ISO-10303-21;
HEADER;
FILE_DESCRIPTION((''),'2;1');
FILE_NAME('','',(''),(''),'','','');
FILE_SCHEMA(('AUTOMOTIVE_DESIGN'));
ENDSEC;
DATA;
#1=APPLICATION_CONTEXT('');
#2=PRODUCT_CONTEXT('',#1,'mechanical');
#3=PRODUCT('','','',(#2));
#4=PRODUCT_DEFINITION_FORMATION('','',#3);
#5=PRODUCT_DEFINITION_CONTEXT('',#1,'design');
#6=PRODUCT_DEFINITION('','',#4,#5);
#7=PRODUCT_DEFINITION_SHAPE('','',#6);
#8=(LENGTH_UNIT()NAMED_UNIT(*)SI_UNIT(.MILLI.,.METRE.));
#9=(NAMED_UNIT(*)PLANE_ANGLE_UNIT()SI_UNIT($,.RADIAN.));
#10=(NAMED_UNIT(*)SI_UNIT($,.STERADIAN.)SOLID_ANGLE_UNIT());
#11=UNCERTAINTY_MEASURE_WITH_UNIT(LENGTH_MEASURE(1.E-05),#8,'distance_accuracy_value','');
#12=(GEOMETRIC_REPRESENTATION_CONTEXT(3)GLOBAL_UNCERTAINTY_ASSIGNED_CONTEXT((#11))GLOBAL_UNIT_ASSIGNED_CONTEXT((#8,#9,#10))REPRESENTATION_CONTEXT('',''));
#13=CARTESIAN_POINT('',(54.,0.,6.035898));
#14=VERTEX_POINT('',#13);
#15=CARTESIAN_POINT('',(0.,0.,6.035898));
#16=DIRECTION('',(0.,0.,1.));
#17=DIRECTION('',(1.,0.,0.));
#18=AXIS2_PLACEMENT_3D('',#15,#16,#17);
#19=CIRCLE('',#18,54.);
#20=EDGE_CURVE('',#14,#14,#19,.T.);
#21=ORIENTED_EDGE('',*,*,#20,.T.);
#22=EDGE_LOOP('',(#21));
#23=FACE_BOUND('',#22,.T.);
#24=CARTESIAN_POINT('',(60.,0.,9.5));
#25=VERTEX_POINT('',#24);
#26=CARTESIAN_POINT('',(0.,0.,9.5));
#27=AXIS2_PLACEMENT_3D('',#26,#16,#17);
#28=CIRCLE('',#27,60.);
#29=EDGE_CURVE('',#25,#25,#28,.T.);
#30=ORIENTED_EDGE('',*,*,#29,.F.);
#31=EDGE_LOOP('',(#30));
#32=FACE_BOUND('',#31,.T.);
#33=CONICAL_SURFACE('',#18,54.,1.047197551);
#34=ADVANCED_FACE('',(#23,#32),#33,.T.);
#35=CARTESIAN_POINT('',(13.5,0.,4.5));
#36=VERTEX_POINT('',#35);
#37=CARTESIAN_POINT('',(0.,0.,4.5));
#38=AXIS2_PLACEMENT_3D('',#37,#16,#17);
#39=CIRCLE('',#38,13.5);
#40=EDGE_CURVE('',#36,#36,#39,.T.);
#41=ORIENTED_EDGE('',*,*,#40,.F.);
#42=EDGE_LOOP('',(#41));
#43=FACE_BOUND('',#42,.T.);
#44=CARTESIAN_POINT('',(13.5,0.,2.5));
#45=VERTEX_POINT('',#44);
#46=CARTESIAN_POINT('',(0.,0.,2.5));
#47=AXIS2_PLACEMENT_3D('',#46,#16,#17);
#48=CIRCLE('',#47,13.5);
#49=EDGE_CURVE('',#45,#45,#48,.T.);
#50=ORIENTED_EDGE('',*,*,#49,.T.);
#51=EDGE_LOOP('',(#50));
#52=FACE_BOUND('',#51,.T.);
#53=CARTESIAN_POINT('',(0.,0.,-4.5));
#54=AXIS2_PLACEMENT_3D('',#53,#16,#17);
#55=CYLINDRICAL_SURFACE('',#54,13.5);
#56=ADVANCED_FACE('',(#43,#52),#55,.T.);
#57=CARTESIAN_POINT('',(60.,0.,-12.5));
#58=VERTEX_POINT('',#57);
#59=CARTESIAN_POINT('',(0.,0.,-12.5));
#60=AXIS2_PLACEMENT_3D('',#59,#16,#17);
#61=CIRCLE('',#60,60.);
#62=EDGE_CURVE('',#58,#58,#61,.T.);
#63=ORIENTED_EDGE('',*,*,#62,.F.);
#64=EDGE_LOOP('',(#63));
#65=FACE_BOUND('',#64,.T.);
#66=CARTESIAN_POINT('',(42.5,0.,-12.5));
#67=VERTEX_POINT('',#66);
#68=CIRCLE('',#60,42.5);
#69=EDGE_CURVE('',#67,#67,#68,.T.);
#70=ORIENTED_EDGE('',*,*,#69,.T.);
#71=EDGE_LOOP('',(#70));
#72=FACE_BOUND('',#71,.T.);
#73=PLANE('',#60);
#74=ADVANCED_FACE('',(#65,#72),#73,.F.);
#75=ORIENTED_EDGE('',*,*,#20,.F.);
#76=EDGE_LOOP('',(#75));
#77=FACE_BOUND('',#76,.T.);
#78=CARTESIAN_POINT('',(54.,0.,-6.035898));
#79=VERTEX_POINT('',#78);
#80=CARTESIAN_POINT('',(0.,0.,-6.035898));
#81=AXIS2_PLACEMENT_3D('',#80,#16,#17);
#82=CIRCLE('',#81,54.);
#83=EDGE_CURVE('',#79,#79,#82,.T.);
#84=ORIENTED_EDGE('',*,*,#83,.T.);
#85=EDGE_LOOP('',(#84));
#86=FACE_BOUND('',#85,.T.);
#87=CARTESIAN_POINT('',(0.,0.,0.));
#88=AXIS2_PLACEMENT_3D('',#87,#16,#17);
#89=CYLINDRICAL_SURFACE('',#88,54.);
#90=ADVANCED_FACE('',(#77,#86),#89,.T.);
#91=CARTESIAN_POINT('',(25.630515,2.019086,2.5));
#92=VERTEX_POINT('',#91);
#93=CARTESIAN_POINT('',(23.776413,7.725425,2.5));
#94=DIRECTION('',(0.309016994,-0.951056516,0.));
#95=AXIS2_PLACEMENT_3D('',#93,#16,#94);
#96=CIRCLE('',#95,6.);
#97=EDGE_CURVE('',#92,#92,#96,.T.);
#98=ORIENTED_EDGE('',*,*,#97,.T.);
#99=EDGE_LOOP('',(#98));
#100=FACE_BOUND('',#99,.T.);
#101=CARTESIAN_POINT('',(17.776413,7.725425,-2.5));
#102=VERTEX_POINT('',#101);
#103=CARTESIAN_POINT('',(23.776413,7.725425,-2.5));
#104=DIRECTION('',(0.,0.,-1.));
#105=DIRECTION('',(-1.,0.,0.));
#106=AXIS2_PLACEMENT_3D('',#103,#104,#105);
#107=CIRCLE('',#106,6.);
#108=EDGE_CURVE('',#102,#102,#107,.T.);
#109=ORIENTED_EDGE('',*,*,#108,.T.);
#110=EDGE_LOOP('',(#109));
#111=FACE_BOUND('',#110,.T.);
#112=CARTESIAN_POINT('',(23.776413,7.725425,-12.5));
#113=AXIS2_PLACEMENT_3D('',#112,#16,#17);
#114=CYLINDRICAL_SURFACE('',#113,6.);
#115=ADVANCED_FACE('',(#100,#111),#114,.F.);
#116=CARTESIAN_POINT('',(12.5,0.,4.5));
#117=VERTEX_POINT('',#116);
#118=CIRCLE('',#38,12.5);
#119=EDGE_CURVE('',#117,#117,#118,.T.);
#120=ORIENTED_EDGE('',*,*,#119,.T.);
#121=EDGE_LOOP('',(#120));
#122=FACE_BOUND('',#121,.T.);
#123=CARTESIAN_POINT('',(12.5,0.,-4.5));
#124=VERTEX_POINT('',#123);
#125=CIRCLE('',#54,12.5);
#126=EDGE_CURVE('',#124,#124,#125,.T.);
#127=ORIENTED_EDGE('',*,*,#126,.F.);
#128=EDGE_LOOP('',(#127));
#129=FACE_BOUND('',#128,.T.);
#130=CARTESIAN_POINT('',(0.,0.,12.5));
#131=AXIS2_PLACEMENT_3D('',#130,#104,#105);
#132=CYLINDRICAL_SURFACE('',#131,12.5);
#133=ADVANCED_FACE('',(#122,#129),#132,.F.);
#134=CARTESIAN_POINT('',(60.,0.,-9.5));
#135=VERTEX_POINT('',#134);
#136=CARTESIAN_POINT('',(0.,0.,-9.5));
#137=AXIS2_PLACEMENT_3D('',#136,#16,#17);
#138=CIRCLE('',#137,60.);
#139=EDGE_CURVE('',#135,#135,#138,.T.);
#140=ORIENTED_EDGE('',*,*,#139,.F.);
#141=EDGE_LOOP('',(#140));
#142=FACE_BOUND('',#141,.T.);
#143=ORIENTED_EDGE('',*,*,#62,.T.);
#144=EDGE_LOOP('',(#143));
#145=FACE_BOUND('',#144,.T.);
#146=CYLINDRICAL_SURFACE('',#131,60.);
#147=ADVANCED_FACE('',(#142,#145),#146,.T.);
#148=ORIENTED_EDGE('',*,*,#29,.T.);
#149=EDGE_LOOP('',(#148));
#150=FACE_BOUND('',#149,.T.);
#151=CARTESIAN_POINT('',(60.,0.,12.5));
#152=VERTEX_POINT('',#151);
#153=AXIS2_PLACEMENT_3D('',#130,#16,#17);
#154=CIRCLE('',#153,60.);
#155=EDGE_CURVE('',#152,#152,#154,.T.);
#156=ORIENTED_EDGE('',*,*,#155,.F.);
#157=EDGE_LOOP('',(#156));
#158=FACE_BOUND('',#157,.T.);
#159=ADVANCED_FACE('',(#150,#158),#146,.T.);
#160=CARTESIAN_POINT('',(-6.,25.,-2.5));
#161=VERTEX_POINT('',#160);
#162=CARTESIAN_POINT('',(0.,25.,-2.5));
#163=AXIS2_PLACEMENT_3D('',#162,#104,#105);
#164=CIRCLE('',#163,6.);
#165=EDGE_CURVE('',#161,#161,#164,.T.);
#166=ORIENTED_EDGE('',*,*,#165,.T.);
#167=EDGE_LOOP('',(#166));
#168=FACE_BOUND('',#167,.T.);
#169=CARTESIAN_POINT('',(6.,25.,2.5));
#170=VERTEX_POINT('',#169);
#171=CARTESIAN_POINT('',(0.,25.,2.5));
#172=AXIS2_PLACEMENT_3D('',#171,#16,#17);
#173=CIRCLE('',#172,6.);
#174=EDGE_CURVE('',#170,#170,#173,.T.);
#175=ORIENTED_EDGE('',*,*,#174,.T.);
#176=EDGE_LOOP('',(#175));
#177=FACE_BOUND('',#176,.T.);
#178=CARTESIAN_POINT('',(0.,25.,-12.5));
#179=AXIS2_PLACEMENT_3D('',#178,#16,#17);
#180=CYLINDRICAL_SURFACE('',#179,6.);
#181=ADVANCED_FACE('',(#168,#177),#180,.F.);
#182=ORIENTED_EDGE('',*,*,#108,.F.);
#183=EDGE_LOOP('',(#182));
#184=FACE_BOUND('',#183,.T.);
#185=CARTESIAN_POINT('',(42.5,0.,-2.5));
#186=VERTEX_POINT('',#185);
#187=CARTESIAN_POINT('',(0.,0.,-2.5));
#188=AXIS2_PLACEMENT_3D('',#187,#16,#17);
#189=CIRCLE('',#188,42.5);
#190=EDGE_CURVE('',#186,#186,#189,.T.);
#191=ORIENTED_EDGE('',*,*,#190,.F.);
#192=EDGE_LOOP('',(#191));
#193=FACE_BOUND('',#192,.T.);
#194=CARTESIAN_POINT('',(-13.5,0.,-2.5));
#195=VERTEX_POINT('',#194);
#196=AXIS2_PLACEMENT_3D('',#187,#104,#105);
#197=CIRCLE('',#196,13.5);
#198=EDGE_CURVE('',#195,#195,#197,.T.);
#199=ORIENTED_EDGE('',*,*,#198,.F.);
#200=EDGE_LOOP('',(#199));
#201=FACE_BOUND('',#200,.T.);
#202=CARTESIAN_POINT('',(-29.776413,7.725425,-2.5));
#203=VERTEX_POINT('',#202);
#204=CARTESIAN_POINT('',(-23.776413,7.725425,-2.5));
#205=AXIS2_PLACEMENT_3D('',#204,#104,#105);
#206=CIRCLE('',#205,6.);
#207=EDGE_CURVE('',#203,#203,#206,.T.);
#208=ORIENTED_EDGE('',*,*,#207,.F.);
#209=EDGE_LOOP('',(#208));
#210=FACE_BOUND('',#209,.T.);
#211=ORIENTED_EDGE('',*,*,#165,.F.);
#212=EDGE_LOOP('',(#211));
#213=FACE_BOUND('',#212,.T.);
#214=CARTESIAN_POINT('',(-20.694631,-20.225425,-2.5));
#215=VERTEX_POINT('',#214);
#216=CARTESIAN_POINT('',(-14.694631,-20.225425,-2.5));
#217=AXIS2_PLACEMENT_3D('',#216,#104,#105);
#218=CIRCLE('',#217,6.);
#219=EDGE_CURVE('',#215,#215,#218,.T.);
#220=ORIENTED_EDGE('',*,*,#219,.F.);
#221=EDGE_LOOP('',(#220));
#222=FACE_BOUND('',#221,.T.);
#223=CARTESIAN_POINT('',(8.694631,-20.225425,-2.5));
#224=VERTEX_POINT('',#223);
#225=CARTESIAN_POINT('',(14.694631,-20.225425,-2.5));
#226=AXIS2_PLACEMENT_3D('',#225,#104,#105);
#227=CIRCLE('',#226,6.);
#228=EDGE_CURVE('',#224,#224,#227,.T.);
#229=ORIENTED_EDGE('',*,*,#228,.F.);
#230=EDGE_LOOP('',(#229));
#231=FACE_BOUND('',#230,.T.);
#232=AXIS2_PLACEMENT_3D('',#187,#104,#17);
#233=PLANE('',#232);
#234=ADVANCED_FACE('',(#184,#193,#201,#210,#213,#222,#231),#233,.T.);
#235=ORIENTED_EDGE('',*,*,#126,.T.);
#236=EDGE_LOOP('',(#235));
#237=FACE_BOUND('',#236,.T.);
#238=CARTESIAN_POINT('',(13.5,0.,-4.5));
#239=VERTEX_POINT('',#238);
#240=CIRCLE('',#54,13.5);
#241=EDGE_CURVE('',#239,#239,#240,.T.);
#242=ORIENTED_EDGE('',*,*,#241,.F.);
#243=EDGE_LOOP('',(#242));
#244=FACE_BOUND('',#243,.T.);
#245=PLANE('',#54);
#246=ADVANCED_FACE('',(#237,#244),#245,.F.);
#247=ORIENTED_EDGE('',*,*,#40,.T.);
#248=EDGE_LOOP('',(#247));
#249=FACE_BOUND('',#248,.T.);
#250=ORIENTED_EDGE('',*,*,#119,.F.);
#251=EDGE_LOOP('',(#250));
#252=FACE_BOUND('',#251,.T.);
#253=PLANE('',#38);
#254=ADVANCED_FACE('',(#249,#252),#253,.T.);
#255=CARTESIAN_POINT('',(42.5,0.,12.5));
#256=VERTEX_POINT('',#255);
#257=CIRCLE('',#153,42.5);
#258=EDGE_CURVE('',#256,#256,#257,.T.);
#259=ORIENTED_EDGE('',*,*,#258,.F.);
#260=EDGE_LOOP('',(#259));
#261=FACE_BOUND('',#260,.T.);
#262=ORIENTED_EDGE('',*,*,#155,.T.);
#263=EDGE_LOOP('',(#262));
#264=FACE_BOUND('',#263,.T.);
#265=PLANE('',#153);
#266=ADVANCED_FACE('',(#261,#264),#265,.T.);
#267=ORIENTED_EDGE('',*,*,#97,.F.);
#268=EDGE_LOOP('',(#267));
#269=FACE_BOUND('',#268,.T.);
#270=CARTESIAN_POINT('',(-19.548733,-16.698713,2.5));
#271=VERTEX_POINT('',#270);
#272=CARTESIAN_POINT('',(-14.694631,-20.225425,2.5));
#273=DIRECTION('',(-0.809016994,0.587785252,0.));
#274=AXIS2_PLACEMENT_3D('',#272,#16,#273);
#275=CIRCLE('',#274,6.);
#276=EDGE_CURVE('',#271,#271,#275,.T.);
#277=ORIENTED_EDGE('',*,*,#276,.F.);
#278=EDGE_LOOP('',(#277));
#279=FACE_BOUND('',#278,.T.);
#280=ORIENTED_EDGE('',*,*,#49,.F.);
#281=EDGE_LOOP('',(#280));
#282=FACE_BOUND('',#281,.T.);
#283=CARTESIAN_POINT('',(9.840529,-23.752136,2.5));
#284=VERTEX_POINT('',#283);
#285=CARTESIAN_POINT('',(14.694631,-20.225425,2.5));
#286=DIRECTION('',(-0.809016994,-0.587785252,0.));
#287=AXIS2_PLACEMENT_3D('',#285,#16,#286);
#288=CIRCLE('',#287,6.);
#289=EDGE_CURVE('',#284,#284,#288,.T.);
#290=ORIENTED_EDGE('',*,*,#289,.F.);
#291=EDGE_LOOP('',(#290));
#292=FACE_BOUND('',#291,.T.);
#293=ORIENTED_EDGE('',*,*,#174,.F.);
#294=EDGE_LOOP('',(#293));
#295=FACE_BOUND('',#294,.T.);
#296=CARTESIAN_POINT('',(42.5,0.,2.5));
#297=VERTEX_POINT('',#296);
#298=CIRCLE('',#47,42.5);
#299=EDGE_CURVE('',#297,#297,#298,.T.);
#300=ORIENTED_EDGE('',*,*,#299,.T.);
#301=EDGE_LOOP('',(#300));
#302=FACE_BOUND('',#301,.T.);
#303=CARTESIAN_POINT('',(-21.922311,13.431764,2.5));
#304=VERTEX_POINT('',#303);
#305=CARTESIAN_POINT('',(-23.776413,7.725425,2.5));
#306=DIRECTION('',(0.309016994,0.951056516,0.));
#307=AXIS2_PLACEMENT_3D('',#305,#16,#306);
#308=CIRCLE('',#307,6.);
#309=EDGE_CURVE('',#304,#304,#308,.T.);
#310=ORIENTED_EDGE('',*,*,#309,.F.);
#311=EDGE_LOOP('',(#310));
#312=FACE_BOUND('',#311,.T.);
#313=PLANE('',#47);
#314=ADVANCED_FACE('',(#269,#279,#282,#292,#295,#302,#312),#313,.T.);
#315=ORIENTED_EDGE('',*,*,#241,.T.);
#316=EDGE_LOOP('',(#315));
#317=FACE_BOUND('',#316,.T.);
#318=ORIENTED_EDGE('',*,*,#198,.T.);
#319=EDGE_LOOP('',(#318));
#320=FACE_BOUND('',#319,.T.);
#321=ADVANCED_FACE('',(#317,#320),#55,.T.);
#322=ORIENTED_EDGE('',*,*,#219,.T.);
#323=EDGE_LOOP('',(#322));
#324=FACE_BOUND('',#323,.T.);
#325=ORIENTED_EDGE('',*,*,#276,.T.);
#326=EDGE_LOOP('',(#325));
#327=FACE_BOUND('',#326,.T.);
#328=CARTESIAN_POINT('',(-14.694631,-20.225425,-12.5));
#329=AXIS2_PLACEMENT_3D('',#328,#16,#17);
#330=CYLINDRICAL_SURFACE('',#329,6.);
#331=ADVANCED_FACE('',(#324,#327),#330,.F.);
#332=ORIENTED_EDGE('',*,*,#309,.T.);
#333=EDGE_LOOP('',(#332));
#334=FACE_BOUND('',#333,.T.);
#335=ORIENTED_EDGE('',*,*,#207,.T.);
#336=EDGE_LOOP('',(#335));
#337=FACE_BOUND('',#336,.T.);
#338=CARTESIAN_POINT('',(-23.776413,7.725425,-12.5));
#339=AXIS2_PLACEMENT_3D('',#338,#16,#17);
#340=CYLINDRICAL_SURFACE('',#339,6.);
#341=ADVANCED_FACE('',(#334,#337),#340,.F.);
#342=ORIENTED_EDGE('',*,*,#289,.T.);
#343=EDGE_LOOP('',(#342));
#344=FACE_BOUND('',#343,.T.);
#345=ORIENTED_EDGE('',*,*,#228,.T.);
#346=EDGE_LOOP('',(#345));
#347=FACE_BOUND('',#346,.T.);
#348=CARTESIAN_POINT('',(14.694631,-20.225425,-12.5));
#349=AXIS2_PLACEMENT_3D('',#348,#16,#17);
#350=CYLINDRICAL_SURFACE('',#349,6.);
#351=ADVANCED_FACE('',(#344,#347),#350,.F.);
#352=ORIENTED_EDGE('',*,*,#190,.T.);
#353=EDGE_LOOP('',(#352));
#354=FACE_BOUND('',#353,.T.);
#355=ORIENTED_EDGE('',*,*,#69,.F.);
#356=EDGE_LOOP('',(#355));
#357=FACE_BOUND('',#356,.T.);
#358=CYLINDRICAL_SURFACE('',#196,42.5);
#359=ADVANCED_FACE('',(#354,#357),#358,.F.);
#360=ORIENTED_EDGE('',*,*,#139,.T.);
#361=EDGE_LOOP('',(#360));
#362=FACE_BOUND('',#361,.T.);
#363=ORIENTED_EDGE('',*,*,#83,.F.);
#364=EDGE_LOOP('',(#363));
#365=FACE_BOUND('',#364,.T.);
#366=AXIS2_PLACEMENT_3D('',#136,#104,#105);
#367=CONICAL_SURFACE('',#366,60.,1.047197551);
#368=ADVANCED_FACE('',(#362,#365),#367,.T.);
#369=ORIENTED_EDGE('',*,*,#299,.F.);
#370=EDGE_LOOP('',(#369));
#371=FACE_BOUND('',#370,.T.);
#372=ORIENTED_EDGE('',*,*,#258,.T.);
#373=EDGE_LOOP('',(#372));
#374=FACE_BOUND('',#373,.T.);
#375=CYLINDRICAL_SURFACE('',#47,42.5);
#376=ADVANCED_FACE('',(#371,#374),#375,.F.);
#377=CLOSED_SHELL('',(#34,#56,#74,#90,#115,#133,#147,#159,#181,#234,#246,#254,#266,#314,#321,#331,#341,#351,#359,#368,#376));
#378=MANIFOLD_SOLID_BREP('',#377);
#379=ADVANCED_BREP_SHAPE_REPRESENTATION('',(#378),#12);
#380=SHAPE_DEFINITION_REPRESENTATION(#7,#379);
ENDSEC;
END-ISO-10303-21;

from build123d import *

# Parameters (mm, degrees)
SKETCH1_R                = 60
SKETCH1_R_2              = 12.5
BOSS_EXTRUDE1_DEPTH      = 12.5
SKETCH2_R                = 42.5
CUT_EXTRUDE1_DEPTH       = 10
SKETCH3_R                = 6
CUT_EXTRUDE2_DEPTH       = 16
CIRPATTERN1_COUNT        = 5
SKETCH5_R                = 13.5
SKETCH5_R_2              = 12.5
BOSS_EXTRUDE2_DEPTH      = 2
BOSS_EXTRUDE2_DEPTH_BACK = 7


with BuildPart() as part:
    # Sketch1 → Boss-Extrude1 (new body, symmetric)
    with BuildSketch(Plane.XY):
        Circle(SKETCH1_R)
        Circle(SKETCH1_R_2, mode=Mode.SUBTRACT)
    extrude(amount=BOSS_EXTRUDE1_DEPTH, both=True)

    # Sketch2 → Cut-Extrude1 (cut)
    with BuildSketch(Plane.XY.offset(12.5)):
        Circle(SKETCH2_R)
    cut_extrude1 = extrude(amount=-CUT_EXTRUDE1_DEPTH, mode=Mode.SUBTRACT)

    # Mirror1: Cut-Extrude1 across plane
    add(cut_extrude1.mirror(Plane.XY), mode=Mode.SUBTRACT)

    # Sketch3 → Cut-Extrude2 (cut, through all)
    with BuildSketch(Plane.XY.offset(2.5)):
        with Locations((0, 25)):
            Circle(SKETCH3_R)
    cut_extrude2 = extrude(amount=-CUT_EXTRUDE2_DEPTH, mode=Mode.SUBTRACT)

    # CirPattern1: Cut-Extrude2 ×5 about axis
    cirpattern1_axis = Axis((0, 0, 0), (0, 0, 1))
    for i in range(1, CIRPATTERN1_COUNT):
        add(cut_extrude2.rotate(cirpattern1_axis, i * 360 / CIRPATTERN1_COUNT), mode=Mode.SUBTRACT)

    # Sketch4 → Cut-Revolve1 (revolve, cut)
    with BuildSketch(Plane(origin=(0, 0, 0), x_dir=(1, 0, 0), z_dir=(0, 1, 0))):
        Polygon((60, 9.5), (54, 6.035898385), (54, -6.035898385), (60, -9.5), align=None)
    revolve(axis=Axis((0, 0, 0), (0, 0, -1)), mode=Mode.SUBTRACT)

    # Sketch5 → Boss-Extrude2 (add, two sides)
    with BuildSketch(Plane.XY.offset(2.5)) as boss_extrude2_sk:
        Circle(SKETCH5_R)
        Circle(SKETCH5_R_2, mode=Mode.SUBTRACT)
    extrude(amount=BOSS_EXTRUDE2_DEPTH)
    extrude(boss_extrude2_sk.sketch, amount=-BOSS_EXTRUDE2_DEPTH_BACK)


solid = part.part
